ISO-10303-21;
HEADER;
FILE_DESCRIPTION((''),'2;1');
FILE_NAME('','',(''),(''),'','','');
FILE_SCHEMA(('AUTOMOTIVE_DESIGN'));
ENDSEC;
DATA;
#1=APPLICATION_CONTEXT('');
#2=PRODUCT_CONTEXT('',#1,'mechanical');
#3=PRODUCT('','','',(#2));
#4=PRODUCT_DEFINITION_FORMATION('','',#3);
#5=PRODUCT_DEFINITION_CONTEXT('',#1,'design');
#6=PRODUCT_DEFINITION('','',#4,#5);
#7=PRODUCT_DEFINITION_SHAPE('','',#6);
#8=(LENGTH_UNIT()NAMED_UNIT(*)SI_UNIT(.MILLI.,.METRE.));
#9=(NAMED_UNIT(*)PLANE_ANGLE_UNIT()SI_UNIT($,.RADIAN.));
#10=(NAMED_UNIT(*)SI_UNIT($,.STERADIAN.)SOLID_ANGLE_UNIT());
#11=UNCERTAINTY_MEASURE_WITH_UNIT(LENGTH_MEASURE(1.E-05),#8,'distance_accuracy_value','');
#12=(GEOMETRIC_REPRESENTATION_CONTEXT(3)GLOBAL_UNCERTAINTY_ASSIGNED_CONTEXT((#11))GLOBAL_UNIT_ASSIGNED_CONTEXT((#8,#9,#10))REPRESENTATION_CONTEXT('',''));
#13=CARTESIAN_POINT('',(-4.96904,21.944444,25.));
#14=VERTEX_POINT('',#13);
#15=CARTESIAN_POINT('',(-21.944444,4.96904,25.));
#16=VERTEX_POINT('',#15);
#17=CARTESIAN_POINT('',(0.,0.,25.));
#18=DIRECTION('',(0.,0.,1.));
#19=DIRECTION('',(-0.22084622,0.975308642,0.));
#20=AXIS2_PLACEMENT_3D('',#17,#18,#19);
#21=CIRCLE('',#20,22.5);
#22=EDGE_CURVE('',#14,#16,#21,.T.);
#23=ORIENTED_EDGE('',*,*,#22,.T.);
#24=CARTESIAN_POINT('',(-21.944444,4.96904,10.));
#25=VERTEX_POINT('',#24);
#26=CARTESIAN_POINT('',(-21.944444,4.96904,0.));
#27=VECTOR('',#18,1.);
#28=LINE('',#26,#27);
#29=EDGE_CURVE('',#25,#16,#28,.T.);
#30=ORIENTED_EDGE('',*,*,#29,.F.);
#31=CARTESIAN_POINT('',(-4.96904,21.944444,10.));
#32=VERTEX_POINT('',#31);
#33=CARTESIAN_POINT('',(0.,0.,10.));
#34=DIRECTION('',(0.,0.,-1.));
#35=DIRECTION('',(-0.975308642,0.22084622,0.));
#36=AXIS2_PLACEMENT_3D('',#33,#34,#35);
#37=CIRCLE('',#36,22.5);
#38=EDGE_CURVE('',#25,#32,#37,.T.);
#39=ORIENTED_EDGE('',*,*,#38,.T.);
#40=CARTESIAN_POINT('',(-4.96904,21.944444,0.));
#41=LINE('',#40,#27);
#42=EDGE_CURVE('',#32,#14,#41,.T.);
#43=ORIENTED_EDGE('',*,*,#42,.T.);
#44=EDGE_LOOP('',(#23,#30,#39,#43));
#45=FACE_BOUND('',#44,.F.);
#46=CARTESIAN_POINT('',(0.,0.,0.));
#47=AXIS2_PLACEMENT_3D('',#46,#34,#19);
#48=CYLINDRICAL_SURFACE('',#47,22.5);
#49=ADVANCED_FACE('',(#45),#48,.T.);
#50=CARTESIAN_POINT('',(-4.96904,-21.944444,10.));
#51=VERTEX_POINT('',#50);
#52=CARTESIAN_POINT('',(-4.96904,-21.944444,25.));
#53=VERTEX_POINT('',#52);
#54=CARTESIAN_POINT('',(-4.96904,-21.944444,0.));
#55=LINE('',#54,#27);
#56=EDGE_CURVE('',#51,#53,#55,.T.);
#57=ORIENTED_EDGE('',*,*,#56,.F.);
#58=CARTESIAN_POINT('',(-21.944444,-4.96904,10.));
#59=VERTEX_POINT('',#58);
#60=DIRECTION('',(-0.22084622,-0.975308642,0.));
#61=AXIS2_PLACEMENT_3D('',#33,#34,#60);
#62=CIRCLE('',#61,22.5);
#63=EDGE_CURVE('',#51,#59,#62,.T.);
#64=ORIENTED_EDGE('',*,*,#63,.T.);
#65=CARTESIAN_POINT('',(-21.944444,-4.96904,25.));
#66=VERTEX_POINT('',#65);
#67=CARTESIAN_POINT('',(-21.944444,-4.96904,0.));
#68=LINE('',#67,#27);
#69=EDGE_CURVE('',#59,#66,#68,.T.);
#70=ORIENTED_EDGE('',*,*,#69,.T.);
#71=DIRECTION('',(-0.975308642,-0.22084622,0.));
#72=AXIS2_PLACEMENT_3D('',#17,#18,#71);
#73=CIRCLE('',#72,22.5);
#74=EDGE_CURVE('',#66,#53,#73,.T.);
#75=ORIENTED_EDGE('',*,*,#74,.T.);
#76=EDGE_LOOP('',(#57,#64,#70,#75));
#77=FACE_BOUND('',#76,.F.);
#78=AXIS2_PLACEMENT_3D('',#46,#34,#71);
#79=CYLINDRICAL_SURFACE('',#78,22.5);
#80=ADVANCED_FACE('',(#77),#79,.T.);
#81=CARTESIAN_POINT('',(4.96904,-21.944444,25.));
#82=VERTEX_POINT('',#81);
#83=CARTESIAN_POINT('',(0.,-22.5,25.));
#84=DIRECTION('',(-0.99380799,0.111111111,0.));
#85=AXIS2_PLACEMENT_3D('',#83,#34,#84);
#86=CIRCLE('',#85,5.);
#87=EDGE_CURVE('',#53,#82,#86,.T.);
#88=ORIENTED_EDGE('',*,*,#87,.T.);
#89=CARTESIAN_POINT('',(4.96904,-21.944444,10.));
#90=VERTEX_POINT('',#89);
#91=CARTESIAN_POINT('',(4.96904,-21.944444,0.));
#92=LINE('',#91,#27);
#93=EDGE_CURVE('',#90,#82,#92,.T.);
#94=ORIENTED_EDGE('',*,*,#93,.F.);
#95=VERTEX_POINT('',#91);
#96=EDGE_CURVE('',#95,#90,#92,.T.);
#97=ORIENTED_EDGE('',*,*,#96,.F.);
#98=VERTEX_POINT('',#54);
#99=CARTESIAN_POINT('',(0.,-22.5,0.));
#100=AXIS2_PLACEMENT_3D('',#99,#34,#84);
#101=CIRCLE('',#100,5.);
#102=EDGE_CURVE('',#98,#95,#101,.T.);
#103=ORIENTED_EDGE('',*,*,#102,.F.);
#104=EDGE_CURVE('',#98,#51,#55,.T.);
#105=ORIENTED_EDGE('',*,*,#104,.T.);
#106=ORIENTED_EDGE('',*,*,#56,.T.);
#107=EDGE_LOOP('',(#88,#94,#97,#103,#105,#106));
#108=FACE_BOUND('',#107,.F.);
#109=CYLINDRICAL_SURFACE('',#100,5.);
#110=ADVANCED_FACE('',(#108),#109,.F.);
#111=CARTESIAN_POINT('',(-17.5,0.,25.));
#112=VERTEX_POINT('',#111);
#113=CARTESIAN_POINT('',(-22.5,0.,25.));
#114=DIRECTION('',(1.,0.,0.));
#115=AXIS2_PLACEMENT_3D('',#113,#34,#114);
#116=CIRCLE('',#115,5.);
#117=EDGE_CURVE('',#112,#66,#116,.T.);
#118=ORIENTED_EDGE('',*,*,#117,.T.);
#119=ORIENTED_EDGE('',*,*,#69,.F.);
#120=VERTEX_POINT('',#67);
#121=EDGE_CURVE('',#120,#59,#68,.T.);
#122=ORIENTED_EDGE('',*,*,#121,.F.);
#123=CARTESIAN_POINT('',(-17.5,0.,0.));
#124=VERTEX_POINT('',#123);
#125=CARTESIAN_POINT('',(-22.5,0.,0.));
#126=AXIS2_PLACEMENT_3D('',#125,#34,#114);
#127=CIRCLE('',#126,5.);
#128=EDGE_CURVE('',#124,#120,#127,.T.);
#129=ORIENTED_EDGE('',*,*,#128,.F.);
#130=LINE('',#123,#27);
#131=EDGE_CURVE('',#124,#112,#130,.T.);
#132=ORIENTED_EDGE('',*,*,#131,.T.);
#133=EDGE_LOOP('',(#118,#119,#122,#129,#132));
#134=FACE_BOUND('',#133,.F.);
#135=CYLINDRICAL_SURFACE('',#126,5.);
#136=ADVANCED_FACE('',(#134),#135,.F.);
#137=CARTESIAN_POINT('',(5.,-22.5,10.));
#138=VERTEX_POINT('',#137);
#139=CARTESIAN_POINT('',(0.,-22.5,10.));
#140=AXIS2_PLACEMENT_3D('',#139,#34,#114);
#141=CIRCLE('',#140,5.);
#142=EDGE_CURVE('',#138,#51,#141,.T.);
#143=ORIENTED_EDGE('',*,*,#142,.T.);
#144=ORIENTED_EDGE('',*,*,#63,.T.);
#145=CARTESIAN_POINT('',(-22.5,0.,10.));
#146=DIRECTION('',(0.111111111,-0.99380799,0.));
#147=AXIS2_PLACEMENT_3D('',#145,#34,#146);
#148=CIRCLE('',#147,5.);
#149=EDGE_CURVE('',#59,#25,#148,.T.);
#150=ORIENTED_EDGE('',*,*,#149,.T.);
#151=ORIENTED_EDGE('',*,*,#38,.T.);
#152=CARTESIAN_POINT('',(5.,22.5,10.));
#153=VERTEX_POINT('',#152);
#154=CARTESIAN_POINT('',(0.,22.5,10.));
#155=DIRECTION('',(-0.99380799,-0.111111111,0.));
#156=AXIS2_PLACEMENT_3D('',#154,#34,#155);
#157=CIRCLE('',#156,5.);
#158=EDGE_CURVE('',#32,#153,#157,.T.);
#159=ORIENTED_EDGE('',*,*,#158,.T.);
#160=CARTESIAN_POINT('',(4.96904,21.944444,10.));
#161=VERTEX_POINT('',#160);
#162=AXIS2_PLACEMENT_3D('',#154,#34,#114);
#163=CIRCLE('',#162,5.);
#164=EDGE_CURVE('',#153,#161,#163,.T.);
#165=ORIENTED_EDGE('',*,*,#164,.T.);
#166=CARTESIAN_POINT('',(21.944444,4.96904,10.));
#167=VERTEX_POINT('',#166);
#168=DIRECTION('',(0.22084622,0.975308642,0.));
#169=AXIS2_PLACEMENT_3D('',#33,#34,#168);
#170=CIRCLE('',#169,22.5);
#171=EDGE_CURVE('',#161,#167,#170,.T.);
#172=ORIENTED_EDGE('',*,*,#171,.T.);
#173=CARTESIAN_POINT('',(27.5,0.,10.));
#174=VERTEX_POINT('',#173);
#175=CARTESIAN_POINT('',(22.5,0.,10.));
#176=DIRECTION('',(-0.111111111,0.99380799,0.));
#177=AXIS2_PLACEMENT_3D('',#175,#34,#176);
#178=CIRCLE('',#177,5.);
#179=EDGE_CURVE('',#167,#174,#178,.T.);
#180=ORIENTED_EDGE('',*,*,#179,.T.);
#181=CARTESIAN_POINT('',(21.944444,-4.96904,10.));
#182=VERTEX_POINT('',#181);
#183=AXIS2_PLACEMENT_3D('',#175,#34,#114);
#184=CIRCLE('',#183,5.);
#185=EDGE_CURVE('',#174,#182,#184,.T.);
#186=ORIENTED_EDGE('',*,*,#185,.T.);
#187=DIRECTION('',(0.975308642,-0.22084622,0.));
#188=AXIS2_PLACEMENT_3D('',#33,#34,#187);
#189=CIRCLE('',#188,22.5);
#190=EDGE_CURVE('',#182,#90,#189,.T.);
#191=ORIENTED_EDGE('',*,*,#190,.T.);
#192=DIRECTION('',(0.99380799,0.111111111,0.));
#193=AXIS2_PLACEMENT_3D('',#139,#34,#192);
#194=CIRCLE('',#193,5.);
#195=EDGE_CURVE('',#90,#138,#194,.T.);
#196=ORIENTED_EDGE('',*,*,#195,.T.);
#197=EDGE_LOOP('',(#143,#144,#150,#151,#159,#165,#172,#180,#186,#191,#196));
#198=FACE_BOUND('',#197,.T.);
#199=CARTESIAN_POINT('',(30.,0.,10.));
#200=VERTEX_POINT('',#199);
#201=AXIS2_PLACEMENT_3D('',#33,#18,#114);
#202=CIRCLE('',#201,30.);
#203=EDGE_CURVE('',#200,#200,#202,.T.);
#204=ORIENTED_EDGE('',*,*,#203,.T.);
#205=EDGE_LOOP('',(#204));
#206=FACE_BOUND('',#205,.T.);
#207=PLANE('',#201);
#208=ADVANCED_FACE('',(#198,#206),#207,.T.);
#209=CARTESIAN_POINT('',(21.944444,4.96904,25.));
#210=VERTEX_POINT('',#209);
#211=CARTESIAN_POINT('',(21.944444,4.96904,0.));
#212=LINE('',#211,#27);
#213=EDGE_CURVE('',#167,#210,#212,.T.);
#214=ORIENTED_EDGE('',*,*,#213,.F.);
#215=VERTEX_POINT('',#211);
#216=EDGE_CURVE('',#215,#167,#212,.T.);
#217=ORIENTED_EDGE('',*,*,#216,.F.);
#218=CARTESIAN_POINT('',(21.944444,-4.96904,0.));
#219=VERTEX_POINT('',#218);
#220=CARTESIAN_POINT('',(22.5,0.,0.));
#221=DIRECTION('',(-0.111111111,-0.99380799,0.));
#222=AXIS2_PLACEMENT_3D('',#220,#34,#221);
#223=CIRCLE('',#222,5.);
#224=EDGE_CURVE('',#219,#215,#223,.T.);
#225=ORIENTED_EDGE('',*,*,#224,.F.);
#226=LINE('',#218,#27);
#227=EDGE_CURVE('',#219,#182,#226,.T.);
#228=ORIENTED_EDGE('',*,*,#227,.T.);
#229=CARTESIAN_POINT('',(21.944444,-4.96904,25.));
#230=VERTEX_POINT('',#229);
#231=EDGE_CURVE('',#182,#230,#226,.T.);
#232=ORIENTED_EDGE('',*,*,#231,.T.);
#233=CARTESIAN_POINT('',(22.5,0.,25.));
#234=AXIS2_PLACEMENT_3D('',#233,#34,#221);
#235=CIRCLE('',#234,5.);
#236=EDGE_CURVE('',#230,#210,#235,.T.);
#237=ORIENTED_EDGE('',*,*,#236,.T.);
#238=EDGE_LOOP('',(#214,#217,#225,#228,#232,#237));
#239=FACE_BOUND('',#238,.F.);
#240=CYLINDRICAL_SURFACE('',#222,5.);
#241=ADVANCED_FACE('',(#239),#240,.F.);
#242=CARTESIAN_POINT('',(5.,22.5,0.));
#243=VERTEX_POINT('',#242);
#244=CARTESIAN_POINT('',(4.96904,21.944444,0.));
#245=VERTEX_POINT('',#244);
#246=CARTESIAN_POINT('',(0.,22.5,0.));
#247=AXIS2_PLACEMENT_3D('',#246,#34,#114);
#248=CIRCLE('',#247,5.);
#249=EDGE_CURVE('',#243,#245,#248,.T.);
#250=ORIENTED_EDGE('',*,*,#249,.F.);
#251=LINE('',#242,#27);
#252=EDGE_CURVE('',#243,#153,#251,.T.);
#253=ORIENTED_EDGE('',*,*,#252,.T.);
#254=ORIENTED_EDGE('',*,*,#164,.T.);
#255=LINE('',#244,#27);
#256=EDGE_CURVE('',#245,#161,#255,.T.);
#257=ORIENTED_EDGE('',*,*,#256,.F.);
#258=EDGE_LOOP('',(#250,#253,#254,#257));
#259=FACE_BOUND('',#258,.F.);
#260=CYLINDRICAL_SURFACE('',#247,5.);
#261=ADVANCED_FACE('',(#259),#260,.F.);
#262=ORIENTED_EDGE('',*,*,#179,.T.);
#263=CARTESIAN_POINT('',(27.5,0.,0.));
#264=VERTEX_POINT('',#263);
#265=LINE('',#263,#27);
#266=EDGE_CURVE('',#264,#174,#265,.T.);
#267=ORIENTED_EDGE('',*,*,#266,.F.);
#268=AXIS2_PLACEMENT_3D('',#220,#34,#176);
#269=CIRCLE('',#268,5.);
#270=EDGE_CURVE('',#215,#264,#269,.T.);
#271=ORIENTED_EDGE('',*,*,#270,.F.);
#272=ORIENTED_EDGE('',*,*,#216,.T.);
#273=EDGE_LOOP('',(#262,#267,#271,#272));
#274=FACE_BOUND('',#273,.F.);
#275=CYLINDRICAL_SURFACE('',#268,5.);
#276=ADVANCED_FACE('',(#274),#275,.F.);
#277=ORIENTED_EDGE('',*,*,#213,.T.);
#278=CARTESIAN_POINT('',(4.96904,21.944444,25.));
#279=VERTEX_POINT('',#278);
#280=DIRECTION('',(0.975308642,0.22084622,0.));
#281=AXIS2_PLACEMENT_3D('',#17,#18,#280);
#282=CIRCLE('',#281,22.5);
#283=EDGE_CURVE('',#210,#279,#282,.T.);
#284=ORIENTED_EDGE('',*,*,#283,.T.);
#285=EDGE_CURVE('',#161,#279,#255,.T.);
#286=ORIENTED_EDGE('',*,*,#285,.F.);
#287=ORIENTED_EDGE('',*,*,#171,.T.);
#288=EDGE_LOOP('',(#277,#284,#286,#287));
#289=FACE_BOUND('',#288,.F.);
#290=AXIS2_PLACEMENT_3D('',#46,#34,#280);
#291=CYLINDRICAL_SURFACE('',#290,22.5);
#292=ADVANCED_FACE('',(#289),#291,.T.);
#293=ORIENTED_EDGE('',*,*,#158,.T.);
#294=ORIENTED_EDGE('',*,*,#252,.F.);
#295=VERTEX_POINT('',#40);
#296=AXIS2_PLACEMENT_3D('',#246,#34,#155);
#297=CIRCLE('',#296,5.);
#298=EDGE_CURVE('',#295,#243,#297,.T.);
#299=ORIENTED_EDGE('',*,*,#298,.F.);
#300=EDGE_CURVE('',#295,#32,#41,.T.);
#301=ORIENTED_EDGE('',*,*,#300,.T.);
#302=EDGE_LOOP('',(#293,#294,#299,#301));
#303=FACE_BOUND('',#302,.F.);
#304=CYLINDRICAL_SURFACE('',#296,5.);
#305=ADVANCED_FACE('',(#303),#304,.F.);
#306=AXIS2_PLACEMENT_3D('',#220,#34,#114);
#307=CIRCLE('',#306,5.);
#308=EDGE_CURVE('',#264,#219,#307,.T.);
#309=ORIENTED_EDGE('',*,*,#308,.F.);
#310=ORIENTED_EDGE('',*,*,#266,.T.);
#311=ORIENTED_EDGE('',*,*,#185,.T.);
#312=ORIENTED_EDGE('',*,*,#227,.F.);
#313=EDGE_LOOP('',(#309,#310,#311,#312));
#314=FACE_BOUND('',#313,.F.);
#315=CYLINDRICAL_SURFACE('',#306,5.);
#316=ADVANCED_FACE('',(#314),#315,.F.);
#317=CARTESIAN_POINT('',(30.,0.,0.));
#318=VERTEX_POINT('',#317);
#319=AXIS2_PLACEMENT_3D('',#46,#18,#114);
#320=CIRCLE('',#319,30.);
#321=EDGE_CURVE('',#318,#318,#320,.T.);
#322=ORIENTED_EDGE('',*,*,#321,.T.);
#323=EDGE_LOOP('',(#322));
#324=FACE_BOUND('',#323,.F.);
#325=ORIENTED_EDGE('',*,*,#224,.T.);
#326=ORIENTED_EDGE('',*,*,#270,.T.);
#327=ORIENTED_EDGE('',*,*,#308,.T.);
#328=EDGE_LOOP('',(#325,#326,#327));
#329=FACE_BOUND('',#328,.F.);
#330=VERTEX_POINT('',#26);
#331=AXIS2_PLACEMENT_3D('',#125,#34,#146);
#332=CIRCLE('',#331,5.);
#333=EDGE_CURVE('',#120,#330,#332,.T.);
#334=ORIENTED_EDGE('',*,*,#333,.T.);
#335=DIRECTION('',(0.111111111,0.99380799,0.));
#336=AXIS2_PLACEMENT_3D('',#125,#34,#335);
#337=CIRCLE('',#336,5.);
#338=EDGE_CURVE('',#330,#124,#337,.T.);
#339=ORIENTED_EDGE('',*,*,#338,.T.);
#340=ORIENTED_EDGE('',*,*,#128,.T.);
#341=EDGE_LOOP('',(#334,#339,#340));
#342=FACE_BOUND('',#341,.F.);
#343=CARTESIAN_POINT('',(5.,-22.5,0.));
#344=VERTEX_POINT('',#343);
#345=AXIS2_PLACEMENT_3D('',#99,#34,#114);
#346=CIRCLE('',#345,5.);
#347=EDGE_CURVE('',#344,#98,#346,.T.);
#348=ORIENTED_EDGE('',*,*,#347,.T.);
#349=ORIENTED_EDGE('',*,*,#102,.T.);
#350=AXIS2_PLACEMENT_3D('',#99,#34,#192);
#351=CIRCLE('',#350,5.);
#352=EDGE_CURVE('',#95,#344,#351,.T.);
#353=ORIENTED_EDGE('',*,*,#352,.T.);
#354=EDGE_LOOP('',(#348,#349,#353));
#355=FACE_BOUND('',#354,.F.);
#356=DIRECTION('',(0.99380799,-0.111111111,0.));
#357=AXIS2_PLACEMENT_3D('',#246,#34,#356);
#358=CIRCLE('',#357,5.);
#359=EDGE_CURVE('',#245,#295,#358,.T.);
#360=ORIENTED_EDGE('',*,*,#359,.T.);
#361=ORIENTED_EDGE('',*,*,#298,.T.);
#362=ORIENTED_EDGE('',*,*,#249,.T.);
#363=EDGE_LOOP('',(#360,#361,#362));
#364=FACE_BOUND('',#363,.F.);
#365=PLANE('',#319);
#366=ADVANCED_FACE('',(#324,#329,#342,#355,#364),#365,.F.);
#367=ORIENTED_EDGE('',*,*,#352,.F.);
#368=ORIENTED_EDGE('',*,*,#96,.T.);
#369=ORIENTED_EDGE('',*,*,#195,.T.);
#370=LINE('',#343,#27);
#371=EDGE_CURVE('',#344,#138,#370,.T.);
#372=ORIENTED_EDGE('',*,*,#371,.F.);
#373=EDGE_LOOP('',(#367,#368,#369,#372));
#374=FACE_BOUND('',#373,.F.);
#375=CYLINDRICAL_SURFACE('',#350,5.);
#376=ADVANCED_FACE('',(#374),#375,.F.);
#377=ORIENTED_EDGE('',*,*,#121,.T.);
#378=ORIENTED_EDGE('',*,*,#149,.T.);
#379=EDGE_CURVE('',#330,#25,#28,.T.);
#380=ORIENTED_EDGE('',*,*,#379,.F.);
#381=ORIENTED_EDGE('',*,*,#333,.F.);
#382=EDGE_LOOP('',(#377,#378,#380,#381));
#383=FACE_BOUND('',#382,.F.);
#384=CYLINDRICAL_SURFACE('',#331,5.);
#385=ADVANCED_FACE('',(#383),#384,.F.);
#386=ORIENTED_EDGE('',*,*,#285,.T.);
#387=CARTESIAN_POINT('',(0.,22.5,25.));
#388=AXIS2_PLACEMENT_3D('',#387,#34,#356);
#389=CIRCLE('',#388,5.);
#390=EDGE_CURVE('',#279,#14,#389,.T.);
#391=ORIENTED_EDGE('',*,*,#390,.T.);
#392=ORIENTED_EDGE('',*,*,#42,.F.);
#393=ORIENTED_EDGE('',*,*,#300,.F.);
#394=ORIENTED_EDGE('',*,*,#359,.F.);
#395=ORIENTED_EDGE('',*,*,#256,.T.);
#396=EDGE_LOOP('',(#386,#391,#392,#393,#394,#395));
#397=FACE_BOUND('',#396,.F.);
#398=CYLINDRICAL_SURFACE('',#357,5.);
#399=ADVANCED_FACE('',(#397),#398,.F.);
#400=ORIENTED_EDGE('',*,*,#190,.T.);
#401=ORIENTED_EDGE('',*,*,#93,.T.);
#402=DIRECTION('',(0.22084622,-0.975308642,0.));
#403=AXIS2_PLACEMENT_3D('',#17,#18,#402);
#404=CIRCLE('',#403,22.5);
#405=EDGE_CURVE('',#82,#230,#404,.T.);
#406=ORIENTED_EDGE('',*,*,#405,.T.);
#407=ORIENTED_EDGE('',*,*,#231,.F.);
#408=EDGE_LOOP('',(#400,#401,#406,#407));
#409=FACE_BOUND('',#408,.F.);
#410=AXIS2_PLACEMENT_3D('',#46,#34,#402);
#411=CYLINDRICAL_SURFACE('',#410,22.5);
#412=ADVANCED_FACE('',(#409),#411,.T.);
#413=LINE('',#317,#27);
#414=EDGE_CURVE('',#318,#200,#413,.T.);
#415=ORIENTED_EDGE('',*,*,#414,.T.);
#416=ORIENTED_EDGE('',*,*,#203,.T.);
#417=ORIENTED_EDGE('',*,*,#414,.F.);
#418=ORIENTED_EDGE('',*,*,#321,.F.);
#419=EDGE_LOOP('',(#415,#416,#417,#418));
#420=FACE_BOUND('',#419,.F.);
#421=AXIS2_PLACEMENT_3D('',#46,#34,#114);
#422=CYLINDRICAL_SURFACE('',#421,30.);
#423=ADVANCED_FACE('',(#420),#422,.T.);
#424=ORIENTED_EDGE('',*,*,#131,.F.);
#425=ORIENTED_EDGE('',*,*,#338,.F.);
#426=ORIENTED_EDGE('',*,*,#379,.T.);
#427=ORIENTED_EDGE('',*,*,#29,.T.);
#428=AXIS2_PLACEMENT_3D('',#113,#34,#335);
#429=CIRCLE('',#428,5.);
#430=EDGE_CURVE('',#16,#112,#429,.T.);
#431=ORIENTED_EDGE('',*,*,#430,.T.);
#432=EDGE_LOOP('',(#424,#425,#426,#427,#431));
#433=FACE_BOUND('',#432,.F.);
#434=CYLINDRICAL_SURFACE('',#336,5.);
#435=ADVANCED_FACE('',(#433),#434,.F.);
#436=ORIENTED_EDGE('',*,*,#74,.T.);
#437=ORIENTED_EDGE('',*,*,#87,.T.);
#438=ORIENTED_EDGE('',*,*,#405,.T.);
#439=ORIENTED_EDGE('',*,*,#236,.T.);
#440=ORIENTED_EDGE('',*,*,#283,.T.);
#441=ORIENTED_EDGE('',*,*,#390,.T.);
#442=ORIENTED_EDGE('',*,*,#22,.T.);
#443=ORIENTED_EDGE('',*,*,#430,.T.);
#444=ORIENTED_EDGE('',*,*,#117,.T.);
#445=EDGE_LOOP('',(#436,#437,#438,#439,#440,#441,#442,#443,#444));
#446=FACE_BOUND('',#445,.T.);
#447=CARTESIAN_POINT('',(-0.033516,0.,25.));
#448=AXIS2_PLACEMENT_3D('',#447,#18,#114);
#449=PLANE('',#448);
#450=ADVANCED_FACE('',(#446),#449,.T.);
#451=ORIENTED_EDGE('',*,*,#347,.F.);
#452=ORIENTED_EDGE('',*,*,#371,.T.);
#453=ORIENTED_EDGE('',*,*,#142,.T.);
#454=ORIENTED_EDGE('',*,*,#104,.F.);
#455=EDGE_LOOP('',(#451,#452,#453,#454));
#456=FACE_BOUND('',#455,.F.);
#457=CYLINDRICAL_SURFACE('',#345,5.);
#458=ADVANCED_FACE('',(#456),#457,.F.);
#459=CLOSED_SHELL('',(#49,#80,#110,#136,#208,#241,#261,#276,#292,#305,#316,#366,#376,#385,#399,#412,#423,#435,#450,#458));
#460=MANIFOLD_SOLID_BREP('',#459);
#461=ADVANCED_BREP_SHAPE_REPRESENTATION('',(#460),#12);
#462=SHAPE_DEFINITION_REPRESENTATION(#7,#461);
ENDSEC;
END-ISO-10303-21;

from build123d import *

# Parameters (mm, degrees)
F1_DEPTH = 25
F0_R     = 30
F2_DEPTH = 10


with BuildPart() as f1:
    # F0 (on Top) → F1 (new body)
    with BuildSketch(Plane.XY):
        with BuildLine():
            ThreePointArc((21.9444444444, -4.96903995), (17.5, 0), (21.9444444444, 4.96903995))
            ThreePointArc((21.9444444444, 4.96903995), (15.9099025767, 15.9099025767), (4.96903995, 21.9444444444))
            ThreePointArc((4.96903995, 21.9444444444), (0, 17.5), (-4.96903995, 21.9444444444))
            ThreePointArc((-4.96903995, 21.9444444444), (-15.9099025767, 15.9099025767), (-21.9444444444, 4.96903995))
            ThreePointArc((-21.9444444444, 4.96903995), (-18.7732200375, 3.3333333333), (-17.5, 0))
            ThreePointArc((-17.5, 0), (-18.7732200375, -3.3333333333), (-21.9444444444, -4.96903995))
            ThreePointArc((-21.9444444444, -4.96903995), (-15.9099025767, -15.9099025767), (-4.96903995, -21.9444444444))
            ThreePointArc((-4.96903995, -21.9444444444), (0, -17.5), (4.96903995, -21.9444444444))
            ThreePointArc((4.96903995, -21.9444444444), (15.9099025767, -15.9099025767), (21.9444444444, -4.96903995))
        make_face()
    extrude(amount=F1_DEPTH)

    # F0 (on Top) → F2 (join)
    with BuildSketch(Plane.XY):
        Circle(F0_R)
        with BuildLine():
            ThreePointArc((4.96903995, 21.9444444444), (15.9099025767, 15.9099025767), (21.9444444444, 4.96903995))
            ThreePointArc((21.9444444444, 4.96903995), (25.8333333333, 3.7267799625), (27.5, 0))
            ThreePointArc((27.5, 0), (25.8333333333, -3.7267799625), (21.9444444444, -4.96903995))
            ThreePointArc((21.9444444444, -4.96903995), (15.9099025767, -15.9099025767), (4.96903995, -21.9444444444))
            ThreePointArc((4.96903995, -21.9444444444), (4.9922539874, -22.2217912205), (5, -22.5))
            ThreePointArc((5, -22.5), (-0.2782087795, -27.4922539874), (-4.96903995, -21.9444444444))
            ThreePointArc((-4.96903995, -21.9444444444), (-15.9099025767, -15.9099025767), (-21.9444444444, -4.96903995))
            ThreePointArc((-21.9444444444, -4.96903995), (-27.5, 0), (-21.9444444444, 4.96903995))
            ThreePointArc((-21.9444444444, 4.96903995), (-15.9099025767, 15.9099025767), (-4.96903995, 21.9444444444))
            ThreePointArc((-4.96903995, 21.9444444444), (-0.2782087795, 27.4922539874), (5, 22.5))
            ThreePointArc((5, 22.5), (4.9922539874, 22.2217912205), (4.96903995, 21.9444444444))
        make_face(mode=Mode.SUBTRACT)
    extrude(amount=F2_DEPTH)


solid = f1.part
